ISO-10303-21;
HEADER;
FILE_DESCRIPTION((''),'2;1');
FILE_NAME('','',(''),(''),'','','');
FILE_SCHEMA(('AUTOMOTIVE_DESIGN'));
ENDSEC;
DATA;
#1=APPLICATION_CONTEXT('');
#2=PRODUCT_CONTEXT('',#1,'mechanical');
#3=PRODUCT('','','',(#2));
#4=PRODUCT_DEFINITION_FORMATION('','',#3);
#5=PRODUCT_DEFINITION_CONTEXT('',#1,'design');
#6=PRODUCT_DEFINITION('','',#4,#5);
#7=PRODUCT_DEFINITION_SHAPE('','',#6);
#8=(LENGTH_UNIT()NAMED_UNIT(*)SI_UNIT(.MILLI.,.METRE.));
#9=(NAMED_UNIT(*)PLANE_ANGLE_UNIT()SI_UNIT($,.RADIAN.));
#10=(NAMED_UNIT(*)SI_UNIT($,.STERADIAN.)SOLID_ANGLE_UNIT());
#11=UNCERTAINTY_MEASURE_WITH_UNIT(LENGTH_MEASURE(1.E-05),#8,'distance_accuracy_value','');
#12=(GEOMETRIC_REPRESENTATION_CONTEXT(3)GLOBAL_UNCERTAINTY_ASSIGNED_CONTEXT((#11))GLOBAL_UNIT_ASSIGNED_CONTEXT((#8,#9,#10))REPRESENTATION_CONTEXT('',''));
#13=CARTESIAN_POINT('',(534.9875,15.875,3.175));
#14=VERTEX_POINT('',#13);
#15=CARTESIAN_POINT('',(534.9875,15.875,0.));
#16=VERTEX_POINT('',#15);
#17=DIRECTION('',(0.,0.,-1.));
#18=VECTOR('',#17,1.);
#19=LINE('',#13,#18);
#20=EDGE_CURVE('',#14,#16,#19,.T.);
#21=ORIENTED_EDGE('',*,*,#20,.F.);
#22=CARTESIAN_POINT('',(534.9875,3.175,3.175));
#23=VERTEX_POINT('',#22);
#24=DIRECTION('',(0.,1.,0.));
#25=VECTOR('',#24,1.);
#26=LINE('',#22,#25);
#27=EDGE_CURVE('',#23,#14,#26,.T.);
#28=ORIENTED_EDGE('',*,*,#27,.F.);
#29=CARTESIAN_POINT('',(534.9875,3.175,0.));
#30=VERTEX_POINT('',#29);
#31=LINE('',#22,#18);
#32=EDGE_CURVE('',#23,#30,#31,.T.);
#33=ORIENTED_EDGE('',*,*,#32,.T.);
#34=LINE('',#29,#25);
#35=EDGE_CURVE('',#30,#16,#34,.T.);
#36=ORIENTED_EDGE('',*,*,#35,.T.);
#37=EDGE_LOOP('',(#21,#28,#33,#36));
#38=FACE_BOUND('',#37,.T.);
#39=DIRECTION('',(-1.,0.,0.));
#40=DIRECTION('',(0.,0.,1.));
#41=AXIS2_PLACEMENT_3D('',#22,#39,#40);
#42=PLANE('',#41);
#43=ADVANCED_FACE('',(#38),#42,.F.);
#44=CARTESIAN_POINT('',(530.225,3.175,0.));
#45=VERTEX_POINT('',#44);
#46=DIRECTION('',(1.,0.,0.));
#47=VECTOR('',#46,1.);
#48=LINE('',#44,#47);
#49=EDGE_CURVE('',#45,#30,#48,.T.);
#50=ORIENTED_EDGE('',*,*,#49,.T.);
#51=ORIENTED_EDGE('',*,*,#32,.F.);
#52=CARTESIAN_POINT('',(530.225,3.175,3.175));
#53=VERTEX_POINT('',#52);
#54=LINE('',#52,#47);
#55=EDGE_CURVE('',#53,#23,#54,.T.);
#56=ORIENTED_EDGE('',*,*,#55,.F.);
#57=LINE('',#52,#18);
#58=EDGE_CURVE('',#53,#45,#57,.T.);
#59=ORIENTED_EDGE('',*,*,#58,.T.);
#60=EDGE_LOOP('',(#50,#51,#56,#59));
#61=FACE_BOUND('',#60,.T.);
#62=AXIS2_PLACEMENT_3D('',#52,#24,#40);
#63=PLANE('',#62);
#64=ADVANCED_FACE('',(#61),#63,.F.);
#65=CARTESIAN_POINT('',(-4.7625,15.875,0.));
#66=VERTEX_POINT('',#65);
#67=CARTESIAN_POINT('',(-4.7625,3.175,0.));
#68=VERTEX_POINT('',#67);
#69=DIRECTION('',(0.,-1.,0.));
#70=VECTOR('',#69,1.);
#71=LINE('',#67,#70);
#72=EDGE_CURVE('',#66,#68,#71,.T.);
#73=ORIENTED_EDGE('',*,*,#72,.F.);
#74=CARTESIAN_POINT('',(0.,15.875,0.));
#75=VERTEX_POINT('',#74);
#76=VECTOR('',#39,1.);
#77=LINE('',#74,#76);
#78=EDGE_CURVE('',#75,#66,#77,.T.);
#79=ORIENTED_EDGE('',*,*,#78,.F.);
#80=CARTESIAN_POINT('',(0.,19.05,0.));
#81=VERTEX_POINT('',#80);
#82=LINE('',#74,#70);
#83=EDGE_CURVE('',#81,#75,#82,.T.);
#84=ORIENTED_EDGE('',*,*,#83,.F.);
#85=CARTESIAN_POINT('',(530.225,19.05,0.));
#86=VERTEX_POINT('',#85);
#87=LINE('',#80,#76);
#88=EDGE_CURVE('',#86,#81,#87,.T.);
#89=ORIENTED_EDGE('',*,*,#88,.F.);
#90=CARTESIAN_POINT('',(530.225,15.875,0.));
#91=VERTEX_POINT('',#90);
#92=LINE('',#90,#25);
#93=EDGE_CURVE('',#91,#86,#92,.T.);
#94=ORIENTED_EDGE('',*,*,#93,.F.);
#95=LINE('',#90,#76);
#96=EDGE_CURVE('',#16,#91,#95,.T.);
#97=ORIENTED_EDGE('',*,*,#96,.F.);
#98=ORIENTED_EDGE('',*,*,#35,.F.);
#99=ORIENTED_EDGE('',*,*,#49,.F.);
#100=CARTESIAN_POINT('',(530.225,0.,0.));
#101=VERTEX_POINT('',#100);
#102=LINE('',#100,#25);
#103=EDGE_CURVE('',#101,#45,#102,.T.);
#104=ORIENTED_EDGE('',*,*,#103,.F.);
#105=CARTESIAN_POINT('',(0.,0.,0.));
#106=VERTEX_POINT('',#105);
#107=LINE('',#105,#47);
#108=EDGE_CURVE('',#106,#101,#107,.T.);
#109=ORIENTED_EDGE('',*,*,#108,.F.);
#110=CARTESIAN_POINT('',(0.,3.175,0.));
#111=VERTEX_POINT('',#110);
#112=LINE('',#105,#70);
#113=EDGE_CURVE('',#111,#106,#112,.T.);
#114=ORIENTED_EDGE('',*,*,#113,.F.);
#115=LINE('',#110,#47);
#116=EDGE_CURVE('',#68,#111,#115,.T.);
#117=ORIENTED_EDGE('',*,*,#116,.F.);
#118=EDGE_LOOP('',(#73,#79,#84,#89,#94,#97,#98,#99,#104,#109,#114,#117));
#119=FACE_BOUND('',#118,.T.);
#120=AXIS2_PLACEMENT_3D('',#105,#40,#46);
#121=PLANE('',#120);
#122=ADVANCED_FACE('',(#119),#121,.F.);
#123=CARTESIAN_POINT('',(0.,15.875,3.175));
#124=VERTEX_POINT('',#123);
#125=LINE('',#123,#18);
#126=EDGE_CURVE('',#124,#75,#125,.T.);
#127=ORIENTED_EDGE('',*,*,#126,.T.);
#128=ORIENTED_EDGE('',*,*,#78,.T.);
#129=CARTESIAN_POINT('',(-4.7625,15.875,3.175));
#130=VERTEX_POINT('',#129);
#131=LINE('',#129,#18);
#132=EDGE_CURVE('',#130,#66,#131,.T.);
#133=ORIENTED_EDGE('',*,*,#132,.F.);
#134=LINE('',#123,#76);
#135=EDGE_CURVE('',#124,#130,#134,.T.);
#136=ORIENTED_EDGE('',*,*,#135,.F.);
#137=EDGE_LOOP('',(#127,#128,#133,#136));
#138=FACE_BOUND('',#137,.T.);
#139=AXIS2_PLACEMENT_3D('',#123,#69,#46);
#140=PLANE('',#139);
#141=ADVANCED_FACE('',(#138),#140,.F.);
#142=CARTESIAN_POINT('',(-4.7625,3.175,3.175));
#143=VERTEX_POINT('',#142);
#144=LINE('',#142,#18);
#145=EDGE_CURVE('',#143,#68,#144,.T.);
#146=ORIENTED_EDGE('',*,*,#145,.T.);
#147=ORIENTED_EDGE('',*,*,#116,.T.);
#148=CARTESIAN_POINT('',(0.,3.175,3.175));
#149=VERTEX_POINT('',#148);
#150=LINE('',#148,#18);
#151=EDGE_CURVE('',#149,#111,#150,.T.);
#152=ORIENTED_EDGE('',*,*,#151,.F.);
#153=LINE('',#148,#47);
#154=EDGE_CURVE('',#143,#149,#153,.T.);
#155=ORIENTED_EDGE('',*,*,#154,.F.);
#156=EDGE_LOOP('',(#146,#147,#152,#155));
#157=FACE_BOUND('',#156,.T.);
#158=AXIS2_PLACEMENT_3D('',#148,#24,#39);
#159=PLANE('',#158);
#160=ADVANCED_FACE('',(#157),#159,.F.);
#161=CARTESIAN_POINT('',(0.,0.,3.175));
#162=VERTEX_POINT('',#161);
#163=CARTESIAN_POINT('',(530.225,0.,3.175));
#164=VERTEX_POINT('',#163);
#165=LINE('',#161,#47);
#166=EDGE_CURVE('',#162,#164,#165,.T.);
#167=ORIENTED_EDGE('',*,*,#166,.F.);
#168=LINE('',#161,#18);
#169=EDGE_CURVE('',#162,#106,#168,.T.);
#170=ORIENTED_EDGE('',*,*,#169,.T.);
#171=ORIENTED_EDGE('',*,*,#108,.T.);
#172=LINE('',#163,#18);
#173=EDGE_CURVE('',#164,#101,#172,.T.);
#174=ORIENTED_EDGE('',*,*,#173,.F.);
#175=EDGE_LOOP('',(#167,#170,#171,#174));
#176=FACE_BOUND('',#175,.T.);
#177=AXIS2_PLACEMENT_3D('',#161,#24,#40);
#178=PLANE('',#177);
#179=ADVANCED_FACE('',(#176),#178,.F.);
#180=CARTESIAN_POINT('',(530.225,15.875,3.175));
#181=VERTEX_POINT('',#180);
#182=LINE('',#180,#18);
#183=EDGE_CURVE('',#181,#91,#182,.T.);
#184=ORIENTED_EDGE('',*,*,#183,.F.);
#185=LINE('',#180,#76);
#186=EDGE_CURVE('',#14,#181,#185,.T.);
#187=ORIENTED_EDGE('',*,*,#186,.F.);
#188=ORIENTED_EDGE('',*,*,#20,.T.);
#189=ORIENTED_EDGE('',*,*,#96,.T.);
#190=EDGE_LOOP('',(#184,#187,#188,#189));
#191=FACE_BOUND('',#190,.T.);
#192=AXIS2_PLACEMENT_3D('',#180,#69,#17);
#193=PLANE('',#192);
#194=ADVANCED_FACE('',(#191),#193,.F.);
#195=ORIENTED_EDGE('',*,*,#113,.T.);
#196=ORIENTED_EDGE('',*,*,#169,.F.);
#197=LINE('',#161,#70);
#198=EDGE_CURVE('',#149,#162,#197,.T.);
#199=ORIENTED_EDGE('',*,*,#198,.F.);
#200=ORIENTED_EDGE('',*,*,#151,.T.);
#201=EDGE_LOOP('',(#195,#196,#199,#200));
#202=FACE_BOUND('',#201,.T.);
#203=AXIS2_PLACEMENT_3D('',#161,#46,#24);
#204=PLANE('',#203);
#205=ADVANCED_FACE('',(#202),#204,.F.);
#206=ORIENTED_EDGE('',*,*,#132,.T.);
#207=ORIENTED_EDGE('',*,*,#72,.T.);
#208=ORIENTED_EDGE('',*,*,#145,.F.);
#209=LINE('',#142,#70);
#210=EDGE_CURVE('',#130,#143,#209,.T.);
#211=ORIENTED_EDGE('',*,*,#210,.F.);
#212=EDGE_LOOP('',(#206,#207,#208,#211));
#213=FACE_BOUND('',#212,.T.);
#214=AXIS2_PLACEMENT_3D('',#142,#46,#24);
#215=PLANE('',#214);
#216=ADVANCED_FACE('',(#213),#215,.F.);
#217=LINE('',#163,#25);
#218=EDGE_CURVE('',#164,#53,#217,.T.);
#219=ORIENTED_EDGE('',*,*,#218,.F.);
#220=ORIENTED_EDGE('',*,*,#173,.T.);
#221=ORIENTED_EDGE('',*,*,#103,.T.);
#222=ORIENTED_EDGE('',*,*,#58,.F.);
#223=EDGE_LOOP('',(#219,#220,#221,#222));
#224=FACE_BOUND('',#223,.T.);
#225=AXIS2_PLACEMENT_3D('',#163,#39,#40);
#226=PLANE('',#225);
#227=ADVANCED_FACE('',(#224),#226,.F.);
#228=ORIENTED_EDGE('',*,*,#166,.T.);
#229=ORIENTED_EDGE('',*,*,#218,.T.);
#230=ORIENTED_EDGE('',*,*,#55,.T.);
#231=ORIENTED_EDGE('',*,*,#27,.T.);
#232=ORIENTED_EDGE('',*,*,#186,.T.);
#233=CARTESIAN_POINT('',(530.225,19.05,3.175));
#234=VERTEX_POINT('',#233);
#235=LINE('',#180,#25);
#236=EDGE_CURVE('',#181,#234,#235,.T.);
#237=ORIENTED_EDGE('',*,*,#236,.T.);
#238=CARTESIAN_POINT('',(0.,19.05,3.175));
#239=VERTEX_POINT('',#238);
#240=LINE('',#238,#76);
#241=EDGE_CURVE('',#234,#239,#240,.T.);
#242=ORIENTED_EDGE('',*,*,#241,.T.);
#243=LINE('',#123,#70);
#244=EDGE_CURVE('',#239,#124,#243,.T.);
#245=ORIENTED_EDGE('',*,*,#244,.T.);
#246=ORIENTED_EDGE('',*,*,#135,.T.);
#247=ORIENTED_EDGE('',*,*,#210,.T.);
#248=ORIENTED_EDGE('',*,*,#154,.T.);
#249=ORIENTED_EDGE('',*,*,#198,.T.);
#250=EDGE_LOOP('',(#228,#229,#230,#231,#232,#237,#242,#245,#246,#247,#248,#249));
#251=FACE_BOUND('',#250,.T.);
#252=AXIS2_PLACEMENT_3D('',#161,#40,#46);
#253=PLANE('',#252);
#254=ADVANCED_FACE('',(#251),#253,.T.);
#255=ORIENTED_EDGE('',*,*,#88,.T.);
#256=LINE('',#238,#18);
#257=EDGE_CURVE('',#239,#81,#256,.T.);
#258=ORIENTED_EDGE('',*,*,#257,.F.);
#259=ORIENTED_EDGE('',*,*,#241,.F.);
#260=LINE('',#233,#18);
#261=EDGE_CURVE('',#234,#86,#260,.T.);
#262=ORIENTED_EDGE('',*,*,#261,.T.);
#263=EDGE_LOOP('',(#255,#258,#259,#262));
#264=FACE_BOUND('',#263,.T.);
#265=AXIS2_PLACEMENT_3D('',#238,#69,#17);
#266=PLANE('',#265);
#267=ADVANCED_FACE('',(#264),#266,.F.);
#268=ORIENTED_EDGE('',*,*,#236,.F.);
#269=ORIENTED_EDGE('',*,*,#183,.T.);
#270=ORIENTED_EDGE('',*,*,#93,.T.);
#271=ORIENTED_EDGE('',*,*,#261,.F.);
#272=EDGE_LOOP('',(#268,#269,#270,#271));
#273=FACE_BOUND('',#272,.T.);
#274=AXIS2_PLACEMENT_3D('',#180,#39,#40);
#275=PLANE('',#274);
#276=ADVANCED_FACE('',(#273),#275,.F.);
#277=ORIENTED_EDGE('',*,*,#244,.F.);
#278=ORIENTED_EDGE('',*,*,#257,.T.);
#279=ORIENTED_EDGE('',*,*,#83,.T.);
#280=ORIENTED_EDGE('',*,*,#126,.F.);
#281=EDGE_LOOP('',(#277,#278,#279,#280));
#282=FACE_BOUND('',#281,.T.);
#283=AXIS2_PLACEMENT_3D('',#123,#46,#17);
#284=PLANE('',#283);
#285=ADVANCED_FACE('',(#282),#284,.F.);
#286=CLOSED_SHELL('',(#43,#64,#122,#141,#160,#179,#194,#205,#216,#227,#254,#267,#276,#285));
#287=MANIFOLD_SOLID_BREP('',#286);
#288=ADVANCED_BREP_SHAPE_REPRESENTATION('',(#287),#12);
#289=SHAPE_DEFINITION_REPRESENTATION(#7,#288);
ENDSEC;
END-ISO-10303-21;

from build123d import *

# Parameters (mm, degrees)
BOSS_EXTRUDE1_DEPTH = 3.175


with BuildPart() as part:
    # Sketch1 → Boss-Extrude1 (new body)
    with BuildSketch(Plane.XY):
        Polygon((530.225, 15.875), (530.225, 19.05), (0, 19.05), (0, 15.875), (-4.7625, 15.875), (-4.7625, 3.175), (0, 3.175), (0, 0), (530.225, 0), (530.225, 3.175), (534.9875, 3.175), (534.9875, 15.875), align=None)
    extrude(amount=BOSS_EXTRUDE1_DEPTH)


solid = part.part
